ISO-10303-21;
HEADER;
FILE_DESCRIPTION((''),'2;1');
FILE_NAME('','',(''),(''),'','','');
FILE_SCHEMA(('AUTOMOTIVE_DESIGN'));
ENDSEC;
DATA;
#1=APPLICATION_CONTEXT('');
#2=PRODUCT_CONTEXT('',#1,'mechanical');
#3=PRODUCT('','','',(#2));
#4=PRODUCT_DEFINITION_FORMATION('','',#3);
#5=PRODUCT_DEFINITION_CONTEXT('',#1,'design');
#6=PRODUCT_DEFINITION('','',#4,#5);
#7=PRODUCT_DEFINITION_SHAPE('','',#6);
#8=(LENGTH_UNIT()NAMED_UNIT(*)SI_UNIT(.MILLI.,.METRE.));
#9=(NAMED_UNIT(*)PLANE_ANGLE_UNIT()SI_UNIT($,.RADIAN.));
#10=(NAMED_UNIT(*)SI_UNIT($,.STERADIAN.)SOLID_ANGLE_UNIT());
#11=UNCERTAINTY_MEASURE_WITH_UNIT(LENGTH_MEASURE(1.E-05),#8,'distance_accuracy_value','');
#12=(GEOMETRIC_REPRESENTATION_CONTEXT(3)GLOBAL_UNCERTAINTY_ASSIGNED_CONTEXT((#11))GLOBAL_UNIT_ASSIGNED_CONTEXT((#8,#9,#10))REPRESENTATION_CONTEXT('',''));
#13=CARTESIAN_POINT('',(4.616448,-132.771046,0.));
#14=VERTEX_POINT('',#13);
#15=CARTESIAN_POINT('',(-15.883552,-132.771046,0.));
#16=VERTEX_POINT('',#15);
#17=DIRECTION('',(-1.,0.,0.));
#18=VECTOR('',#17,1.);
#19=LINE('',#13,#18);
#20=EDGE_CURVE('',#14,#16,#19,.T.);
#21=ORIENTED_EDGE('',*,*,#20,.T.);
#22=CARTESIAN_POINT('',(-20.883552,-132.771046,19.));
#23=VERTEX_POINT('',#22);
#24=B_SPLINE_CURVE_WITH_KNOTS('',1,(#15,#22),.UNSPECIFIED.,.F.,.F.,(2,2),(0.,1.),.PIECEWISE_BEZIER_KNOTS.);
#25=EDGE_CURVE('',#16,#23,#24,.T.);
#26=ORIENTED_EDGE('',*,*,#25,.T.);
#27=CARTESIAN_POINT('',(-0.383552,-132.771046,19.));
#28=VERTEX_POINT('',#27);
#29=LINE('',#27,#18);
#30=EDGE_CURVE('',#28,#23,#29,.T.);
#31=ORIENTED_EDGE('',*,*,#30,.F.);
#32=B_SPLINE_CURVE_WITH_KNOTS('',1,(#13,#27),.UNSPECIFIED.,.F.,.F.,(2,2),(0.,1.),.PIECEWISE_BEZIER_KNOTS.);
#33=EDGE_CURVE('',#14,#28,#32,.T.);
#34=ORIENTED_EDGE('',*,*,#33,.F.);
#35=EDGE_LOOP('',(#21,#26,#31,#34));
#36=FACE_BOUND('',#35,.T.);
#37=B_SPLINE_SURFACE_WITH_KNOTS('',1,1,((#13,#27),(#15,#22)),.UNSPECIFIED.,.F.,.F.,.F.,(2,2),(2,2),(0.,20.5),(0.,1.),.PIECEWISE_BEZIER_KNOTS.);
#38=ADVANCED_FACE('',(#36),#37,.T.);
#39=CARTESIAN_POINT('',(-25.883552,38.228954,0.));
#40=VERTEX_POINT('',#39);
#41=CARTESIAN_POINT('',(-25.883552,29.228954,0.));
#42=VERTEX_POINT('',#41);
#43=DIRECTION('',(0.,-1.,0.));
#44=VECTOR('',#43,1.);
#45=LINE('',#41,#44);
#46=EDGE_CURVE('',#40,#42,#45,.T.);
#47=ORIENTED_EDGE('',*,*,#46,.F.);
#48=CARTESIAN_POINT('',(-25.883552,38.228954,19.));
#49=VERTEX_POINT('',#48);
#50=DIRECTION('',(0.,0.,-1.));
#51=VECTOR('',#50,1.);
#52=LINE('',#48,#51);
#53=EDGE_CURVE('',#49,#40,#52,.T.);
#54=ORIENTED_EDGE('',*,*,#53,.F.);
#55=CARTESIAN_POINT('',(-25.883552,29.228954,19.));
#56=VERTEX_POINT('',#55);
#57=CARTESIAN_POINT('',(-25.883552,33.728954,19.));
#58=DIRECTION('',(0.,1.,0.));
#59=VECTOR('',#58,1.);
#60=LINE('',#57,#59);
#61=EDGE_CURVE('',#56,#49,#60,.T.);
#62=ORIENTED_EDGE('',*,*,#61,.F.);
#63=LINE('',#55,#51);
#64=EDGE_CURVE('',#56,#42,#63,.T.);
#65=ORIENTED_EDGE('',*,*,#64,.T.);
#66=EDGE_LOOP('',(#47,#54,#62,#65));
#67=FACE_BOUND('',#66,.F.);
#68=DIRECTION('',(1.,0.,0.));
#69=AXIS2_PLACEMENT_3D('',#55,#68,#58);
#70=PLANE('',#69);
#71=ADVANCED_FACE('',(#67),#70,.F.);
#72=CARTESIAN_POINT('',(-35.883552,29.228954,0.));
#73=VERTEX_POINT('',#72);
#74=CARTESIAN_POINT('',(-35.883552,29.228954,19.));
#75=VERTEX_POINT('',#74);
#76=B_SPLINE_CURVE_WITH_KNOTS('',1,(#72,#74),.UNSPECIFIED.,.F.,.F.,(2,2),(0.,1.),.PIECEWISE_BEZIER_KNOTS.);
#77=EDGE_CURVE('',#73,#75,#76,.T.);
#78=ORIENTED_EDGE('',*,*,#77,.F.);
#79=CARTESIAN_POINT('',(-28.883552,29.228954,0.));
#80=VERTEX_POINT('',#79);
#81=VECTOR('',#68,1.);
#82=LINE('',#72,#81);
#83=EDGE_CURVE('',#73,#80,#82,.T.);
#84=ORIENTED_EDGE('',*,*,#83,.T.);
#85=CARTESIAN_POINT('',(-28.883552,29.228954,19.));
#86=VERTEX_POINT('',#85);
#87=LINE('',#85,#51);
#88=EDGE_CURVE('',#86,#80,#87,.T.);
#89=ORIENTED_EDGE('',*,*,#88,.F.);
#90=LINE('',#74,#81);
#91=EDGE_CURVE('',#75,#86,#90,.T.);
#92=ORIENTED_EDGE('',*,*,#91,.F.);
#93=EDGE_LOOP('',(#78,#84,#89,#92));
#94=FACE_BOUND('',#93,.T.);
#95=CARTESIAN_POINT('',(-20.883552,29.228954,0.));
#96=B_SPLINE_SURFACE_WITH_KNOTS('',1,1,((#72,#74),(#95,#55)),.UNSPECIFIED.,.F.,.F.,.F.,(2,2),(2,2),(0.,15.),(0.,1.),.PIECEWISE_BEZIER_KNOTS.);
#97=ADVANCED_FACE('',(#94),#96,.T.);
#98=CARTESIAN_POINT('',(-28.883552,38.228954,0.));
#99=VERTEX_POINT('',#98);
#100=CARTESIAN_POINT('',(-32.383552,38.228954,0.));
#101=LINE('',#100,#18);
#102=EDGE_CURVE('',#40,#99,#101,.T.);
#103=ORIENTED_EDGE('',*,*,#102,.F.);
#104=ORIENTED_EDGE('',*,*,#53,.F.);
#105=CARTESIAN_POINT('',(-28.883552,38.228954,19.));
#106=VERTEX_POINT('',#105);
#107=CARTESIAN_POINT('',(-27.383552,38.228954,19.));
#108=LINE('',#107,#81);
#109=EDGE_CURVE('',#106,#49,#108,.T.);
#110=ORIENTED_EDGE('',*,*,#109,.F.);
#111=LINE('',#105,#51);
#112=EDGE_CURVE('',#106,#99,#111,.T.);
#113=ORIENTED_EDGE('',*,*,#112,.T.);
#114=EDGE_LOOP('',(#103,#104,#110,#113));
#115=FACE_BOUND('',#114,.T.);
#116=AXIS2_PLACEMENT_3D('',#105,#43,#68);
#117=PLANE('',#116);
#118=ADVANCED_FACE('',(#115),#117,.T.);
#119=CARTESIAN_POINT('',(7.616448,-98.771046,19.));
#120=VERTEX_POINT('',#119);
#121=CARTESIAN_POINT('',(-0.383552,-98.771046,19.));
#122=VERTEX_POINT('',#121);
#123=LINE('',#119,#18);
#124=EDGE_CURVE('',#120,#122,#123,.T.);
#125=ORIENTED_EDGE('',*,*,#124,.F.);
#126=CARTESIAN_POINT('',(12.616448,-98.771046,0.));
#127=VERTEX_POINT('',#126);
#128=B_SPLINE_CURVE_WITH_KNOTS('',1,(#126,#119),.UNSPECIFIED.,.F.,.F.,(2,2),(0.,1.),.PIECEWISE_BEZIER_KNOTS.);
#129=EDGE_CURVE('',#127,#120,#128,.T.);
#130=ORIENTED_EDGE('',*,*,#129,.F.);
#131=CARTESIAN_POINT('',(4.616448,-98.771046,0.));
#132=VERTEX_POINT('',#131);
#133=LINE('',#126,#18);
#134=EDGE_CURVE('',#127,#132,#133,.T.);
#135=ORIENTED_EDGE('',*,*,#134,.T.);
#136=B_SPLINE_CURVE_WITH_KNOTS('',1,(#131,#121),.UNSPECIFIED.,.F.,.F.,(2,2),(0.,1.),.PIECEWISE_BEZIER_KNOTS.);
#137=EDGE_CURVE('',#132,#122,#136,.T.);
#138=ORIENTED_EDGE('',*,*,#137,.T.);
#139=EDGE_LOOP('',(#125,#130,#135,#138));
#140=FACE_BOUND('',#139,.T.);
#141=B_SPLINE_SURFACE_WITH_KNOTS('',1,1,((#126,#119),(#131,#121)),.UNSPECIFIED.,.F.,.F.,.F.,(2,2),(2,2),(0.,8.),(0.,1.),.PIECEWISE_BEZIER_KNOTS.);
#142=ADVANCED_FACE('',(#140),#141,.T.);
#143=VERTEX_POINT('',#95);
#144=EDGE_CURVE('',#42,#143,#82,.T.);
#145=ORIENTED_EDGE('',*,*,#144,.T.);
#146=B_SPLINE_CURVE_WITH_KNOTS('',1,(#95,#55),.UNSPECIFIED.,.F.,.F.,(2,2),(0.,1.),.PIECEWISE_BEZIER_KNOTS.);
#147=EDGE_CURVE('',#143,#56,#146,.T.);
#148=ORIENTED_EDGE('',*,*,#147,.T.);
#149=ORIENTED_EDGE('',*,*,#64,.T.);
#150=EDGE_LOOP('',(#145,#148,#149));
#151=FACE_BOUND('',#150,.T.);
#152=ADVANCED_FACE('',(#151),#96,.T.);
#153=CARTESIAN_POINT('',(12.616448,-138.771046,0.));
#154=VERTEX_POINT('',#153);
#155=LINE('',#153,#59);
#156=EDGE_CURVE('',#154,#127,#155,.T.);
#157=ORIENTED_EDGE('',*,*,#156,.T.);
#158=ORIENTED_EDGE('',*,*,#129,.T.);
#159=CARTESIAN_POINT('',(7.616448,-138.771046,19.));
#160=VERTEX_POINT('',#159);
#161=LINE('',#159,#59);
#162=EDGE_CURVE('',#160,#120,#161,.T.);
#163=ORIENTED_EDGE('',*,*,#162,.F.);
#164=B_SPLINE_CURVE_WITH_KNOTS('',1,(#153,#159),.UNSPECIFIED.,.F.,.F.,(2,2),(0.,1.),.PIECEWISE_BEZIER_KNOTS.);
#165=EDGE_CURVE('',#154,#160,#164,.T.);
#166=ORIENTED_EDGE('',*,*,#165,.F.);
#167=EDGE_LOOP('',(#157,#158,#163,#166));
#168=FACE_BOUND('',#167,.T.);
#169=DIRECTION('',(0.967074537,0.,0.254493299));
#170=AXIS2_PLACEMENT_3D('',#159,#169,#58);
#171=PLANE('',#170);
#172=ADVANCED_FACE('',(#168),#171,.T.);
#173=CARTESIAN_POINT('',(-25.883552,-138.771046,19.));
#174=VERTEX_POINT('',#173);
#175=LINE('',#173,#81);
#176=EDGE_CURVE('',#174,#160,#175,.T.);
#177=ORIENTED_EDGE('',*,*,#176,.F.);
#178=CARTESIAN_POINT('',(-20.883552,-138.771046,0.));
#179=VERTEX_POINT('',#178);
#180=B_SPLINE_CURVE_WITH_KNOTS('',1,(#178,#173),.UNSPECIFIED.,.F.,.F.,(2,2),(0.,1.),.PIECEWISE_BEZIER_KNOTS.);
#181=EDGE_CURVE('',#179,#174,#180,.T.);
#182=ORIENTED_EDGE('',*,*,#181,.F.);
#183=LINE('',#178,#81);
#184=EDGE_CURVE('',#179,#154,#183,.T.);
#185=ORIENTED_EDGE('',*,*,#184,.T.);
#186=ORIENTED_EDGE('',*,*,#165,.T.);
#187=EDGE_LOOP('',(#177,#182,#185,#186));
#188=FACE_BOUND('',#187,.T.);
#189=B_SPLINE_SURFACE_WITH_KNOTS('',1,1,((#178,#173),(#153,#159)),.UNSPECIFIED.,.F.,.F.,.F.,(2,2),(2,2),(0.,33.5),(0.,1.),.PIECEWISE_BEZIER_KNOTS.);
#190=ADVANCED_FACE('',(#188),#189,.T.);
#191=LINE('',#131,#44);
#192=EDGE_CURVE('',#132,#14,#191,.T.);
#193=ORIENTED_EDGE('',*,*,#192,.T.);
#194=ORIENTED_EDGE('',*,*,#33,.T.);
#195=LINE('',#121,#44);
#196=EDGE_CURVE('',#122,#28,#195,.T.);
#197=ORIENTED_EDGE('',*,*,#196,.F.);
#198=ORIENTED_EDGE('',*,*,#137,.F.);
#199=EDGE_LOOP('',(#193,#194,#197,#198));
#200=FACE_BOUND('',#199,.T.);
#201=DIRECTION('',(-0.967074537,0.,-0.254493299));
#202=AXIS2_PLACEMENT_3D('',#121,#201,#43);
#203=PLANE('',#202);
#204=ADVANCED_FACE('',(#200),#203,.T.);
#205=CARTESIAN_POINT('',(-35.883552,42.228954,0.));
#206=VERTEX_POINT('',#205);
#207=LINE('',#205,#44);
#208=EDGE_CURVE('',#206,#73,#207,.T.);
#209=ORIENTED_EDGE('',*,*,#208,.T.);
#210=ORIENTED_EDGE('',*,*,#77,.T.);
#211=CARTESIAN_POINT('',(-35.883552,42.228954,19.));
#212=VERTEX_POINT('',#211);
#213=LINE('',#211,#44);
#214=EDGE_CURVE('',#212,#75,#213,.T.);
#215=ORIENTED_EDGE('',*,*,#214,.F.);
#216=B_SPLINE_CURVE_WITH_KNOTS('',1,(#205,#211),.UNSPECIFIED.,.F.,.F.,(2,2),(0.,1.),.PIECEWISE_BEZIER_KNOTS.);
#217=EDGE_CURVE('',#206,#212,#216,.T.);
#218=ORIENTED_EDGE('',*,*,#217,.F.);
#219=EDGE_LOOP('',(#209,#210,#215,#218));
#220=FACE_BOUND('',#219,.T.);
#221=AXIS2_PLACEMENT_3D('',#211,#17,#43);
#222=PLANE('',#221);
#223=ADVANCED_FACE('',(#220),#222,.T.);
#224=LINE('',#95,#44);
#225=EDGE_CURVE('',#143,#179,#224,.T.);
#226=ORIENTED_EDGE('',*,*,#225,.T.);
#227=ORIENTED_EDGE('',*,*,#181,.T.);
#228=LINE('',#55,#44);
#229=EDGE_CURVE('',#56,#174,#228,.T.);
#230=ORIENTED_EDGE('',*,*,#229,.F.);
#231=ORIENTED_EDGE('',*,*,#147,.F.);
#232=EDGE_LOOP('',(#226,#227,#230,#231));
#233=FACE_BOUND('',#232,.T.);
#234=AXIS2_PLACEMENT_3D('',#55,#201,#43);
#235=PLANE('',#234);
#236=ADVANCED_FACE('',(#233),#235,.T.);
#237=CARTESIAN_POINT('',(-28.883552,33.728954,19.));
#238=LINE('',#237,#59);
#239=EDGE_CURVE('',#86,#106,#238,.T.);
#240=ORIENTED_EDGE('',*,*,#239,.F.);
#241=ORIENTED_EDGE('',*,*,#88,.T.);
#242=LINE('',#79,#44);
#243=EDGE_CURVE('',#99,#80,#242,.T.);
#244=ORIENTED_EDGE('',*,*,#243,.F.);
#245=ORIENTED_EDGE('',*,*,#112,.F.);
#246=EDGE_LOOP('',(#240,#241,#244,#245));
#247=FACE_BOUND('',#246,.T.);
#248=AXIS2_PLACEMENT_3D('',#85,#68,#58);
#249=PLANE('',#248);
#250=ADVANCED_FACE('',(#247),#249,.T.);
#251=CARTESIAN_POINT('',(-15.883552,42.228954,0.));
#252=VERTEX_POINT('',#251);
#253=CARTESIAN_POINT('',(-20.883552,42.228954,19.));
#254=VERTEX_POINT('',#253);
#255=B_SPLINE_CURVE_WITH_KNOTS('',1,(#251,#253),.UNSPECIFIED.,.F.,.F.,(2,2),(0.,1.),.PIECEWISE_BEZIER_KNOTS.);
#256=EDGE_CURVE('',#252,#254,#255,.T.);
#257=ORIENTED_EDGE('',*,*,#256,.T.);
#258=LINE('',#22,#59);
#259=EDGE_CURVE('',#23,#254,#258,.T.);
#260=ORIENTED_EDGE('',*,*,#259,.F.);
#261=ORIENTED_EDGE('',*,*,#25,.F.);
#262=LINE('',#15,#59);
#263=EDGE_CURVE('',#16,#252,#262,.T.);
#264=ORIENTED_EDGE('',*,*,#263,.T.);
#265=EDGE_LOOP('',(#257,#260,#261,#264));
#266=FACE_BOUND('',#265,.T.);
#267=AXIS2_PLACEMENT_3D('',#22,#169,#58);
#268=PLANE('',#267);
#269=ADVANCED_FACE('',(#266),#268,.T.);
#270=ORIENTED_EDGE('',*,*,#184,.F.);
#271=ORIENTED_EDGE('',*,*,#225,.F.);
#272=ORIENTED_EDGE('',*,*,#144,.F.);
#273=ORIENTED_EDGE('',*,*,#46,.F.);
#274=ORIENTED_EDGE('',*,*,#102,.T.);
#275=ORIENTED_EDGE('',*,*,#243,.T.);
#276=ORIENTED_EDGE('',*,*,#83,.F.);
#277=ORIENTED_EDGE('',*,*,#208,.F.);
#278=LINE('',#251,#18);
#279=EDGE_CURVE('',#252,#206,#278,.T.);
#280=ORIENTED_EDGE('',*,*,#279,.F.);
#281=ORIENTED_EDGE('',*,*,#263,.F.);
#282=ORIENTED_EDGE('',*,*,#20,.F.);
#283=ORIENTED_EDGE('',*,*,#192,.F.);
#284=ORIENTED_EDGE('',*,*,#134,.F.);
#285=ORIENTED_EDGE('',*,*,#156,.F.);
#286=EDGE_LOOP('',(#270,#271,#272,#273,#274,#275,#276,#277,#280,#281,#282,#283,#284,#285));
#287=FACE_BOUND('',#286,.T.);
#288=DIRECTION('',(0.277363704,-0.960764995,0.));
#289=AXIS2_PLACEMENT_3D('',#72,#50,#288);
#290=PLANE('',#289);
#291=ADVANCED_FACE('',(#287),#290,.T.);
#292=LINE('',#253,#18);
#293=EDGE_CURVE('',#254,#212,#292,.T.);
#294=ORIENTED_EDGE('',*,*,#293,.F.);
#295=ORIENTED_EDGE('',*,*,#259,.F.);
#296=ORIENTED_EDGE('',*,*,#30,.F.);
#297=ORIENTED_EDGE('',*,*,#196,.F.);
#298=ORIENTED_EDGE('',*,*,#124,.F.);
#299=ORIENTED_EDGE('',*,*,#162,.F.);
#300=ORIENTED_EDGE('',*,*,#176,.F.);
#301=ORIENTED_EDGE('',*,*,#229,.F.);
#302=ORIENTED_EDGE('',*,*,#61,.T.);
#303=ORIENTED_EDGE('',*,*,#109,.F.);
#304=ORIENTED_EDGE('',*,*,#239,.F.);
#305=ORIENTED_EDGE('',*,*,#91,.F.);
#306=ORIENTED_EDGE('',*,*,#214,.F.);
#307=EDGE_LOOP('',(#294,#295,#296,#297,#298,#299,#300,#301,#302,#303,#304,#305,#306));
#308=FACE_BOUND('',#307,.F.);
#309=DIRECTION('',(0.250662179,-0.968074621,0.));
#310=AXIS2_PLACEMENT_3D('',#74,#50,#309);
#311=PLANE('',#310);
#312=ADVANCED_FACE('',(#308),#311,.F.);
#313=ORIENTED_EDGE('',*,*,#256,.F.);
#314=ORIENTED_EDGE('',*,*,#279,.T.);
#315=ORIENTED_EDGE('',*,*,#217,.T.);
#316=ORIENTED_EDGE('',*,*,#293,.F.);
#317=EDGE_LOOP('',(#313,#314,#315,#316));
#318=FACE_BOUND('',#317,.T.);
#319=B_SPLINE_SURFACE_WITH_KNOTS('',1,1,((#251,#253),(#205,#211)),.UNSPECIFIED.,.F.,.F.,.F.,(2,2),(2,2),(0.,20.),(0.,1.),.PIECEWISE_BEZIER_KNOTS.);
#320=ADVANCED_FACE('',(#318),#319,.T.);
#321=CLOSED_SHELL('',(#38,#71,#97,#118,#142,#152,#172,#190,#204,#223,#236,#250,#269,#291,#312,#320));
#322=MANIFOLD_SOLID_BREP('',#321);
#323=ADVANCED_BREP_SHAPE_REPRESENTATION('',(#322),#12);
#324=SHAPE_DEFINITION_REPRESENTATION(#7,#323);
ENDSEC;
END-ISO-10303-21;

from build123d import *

# Parameters (mm, degrees)
F4_W     = 3
F4_H     = 9
F5_DEPTH = 25


with BuildPart() as f3:
    # F0 (on Top) → F3 section 0
    with BuildSketch(Plane.XY):
        Polygon((-35.883552, 29.228954), (-20.883552, 29.228954), (-20.883552, -138.771046), (12.616448, -138.771046), (12.616448, -98.771046), (4.616448, -98.771046), (4.616448, -132.771046), (-15.883552, -132.771046), (-15.883552, 42.228954), (-35.883552, 42.228954), align=None)
    # F2 (on offset) → F3 section 1
    with BuildSketch(Plane.XY.offset(19)):
        Polygon((-35.883552, 29.228954), (-25.883552, 29.228954), (-25.883552, -138.771046), (7.616448, -138.771046), (7.616448, -98.771046), (-0.383552, -98.771046), (-0.383552, -132.771046), (-20.883552, -132.771046), (-20.883552, 42.228954), (-35.883552, 42.228954), align=None)
    loft()

    # F4 (on face) → F5 (cut)
    with BuildSketch(Plane.XY.offset(19)):
        with Locations((-27.383552, 33.728954)):
            Rectangle(F4_W, F4_H)
    extrude(amount=-F5_DEPTH, mode=Mode.SUBTRACT)


solid = f3.part
